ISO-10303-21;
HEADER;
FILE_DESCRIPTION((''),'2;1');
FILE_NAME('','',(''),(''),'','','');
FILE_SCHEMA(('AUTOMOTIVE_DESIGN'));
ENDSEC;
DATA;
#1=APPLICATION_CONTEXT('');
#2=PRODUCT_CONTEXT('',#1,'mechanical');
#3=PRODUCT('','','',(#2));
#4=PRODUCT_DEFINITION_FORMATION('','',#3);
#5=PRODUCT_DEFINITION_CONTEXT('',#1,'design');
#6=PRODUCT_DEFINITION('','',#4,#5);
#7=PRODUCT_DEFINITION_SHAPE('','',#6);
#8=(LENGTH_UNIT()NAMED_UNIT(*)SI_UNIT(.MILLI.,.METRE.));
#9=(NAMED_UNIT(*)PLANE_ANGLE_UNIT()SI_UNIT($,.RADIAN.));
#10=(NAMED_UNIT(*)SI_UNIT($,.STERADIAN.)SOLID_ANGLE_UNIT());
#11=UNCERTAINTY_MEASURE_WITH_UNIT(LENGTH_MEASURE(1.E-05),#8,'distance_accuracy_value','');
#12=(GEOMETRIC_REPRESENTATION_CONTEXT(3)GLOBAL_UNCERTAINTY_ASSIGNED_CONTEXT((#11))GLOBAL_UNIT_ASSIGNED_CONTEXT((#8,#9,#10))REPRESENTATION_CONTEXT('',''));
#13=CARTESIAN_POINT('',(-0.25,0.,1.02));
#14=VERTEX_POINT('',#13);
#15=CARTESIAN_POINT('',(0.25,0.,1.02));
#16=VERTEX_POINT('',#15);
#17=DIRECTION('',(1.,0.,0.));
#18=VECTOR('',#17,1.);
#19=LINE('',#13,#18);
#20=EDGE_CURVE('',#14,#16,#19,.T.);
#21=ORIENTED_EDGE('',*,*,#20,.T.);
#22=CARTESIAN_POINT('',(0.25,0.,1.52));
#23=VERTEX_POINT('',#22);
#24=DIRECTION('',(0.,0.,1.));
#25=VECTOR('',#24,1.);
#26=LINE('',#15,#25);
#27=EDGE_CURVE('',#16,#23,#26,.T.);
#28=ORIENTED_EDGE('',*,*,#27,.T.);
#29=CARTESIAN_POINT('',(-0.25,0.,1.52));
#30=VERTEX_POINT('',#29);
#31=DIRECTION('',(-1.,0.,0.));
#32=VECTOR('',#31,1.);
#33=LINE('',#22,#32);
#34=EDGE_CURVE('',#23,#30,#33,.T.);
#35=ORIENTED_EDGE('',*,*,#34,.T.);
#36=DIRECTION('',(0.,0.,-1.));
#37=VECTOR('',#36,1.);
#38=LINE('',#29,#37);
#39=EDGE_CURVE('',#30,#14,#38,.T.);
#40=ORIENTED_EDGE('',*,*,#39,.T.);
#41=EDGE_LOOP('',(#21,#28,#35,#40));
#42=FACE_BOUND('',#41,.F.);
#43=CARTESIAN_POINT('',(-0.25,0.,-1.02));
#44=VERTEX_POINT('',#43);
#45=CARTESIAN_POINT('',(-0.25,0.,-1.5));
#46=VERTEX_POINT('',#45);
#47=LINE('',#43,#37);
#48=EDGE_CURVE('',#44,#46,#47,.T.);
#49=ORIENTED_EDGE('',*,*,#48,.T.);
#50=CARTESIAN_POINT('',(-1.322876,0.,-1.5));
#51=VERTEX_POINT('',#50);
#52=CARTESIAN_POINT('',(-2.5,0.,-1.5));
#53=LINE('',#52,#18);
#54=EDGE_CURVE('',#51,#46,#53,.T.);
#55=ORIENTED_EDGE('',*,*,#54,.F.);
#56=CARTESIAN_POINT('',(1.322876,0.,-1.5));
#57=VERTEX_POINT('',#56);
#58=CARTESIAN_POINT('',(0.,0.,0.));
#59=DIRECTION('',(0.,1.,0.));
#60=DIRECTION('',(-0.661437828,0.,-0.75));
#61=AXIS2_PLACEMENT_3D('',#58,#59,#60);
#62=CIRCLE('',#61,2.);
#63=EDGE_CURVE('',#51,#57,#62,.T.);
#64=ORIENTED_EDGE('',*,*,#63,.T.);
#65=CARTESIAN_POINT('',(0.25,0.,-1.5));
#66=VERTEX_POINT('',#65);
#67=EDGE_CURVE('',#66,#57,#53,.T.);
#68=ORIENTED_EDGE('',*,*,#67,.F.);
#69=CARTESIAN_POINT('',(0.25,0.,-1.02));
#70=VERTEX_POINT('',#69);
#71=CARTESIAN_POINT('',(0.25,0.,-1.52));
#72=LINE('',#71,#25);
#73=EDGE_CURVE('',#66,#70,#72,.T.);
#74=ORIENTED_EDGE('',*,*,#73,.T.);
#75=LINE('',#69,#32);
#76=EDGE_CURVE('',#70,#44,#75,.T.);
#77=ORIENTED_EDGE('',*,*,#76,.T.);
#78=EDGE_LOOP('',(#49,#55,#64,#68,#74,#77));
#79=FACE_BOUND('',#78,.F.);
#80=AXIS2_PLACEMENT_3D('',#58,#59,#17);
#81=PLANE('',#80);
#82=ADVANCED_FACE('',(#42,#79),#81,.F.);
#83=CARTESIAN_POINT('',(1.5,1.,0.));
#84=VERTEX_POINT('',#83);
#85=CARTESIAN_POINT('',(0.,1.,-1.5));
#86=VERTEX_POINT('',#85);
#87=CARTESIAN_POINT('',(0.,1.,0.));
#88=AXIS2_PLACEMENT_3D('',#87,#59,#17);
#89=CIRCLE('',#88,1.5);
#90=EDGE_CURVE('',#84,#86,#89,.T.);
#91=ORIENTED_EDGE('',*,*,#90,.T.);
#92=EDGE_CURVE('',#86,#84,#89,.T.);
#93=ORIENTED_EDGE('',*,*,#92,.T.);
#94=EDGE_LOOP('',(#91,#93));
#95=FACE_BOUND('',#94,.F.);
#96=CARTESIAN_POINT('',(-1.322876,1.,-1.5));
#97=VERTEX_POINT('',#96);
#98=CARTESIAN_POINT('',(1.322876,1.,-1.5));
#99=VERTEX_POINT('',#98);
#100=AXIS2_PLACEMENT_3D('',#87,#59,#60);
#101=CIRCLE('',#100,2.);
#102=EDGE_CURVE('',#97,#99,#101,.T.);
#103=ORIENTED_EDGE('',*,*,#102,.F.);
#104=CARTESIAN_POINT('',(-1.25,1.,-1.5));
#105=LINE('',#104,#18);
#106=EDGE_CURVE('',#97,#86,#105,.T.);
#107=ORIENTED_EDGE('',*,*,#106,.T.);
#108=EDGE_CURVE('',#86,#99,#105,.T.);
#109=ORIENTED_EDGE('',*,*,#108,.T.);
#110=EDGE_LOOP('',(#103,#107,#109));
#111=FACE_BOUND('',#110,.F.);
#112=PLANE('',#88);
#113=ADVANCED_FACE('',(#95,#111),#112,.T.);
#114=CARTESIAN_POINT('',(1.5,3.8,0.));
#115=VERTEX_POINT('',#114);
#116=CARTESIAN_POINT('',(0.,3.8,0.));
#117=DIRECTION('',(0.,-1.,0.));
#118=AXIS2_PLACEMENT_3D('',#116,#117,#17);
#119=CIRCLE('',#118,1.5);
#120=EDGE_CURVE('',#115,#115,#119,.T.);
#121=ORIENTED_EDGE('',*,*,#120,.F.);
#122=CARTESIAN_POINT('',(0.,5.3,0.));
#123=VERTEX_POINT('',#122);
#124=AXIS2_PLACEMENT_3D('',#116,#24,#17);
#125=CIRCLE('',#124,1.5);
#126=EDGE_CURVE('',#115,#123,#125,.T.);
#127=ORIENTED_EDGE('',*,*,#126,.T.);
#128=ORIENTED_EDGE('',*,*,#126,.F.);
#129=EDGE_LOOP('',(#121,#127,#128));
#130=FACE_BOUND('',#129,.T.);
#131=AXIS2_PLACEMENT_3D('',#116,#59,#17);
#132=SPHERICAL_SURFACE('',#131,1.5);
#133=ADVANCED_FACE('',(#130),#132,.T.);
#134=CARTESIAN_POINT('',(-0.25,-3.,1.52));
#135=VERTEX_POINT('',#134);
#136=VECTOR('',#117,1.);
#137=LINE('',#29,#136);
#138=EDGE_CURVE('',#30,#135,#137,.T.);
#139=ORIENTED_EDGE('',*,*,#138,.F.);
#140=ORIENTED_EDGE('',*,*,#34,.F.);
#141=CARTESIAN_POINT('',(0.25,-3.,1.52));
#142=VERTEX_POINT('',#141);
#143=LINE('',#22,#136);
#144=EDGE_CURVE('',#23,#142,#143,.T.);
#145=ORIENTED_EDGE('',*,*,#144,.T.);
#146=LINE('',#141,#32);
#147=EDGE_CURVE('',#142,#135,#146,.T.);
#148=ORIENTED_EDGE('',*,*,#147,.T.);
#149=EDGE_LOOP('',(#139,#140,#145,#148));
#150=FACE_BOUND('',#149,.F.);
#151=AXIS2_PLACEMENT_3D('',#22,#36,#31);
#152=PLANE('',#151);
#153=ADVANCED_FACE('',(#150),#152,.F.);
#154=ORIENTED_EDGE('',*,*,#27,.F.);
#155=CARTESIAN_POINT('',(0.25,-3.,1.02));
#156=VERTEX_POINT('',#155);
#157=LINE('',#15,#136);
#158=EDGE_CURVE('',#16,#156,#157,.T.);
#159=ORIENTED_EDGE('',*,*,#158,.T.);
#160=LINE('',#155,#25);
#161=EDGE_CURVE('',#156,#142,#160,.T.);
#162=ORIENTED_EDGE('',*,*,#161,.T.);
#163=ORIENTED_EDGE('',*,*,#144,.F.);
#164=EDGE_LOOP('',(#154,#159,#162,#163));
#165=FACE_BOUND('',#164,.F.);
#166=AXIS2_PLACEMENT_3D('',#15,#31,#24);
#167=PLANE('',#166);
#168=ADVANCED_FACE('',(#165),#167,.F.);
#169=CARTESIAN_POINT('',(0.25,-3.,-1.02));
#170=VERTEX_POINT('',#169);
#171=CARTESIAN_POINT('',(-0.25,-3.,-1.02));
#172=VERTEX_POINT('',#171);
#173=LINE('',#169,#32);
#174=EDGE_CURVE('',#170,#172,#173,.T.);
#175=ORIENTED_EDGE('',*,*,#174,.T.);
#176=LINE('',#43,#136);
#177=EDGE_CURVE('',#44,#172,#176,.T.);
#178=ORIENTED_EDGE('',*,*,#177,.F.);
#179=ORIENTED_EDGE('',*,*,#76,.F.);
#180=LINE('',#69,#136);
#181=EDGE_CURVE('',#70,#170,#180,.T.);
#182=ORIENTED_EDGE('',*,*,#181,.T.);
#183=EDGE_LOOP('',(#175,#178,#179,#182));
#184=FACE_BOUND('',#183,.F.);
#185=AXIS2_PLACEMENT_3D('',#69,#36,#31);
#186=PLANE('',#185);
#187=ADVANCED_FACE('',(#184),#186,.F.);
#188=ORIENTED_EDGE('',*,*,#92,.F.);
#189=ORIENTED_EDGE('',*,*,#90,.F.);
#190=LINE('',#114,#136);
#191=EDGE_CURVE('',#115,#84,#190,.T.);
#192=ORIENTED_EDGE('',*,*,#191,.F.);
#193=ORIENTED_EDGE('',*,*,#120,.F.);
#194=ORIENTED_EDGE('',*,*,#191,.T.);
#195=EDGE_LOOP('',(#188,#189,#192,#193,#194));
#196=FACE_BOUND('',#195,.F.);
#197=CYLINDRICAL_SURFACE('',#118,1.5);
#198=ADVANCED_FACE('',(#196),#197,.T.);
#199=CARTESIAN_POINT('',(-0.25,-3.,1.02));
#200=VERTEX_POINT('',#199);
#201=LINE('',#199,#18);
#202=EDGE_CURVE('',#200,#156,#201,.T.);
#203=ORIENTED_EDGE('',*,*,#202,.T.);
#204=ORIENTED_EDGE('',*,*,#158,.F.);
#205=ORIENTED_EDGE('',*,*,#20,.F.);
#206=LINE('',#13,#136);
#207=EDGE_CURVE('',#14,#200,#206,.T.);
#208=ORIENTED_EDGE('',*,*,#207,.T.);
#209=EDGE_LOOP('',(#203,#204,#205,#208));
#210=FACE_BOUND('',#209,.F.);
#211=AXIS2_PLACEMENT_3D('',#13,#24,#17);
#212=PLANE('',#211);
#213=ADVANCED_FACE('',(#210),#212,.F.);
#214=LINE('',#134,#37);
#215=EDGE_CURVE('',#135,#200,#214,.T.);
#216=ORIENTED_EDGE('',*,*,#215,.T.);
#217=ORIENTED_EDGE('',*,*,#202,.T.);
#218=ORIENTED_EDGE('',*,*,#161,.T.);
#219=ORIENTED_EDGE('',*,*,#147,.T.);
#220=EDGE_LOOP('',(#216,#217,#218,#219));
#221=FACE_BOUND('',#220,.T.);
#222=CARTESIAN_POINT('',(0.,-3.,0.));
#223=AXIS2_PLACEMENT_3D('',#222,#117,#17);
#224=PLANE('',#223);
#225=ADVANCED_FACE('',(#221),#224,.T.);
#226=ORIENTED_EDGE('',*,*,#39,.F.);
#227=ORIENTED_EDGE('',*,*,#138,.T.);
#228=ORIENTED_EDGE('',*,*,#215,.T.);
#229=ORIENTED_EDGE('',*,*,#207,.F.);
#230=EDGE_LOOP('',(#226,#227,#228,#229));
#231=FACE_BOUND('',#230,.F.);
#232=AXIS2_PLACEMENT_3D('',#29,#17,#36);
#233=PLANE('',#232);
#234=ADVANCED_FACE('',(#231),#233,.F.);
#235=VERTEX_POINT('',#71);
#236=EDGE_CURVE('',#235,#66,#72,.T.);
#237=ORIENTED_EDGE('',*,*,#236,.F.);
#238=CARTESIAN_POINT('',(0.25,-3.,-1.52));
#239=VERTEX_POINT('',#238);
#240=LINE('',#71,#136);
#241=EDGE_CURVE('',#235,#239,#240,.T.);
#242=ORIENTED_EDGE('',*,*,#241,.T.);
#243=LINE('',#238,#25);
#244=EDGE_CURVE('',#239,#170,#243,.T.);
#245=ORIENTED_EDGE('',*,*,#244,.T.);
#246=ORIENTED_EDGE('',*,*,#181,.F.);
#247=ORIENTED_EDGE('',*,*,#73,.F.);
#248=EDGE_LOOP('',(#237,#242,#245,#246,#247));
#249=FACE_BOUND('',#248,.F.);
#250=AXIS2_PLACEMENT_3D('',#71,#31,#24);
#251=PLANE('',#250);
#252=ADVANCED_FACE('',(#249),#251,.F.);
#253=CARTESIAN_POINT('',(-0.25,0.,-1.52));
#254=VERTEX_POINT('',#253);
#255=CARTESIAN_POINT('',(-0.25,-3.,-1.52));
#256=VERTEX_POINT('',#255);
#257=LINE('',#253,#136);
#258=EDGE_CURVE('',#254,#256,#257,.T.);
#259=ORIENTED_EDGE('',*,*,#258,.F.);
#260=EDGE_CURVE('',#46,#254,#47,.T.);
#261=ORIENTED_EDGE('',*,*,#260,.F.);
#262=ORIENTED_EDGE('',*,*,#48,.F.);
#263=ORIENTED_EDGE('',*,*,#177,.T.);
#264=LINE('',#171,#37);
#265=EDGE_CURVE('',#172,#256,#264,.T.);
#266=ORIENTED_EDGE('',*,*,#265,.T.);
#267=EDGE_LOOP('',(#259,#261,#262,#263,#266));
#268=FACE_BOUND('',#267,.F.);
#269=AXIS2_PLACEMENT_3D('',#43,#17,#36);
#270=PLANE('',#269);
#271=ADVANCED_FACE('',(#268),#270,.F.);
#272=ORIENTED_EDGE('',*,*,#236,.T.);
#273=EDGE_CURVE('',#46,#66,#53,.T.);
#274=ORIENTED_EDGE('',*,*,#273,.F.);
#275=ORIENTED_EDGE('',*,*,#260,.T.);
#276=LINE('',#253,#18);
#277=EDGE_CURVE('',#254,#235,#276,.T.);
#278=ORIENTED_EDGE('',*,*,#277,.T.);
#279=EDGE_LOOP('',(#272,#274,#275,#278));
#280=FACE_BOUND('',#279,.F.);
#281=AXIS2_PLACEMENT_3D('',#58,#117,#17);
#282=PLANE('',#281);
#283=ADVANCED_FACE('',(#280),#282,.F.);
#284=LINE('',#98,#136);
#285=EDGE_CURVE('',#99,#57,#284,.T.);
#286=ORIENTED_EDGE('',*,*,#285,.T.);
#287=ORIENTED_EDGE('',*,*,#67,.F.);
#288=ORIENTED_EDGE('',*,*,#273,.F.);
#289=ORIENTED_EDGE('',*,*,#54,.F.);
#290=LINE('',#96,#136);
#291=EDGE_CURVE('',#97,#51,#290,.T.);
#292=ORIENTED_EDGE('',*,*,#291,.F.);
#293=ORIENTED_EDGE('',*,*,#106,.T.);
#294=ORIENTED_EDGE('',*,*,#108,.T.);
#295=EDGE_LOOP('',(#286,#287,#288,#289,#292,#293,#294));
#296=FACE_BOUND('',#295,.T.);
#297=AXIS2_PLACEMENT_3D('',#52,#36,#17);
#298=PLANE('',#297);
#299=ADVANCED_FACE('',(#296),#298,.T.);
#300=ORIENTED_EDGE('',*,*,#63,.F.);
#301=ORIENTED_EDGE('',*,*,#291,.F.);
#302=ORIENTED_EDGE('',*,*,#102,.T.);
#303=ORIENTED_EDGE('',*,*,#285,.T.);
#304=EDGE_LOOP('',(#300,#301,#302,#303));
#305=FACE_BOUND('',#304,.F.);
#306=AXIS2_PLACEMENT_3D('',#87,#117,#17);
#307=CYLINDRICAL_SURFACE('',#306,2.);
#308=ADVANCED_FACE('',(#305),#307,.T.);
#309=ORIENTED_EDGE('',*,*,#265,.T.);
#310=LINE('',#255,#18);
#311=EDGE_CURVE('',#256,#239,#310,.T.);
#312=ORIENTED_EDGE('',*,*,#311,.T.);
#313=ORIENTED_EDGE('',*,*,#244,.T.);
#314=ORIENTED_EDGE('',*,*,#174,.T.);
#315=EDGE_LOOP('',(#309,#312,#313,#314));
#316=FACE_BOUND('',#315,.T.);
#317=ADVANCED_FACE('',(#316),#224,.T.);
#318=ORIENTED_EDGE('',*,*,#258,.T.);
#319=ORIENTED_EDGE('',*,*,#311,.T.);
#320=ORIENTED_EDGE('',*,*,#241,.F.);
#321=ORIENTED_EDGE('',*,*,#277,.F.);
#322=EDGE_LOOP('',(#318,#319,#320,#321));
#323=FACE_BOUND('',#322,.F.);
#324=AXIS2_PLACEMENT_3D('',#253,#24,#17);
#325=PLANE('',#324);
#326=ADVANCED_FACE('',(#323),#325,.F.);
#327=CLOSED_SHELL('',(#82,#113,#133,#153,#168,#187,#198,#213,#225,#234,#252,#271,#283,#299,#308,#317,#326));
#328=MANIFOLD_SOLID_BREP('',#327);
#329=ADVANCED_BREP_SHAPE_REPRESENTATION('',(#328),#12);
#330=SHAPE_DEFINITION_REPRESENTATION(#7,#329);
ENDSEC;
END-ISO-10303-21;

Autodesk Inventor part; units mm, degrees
ref_plane "YZ Plane" through (0, 0, 0) normal (1, 0, 0) x (0, 1, 0)
ref_plane "XZ Plane" through (0, 0, 0) normal (0, 1, 0) x (-1, 0, 0)
ref_plane "XY Plane" through (0, 0, 0) normal (0, 0, 1) x (1, 0, 0)
sketch "Sketch1" plane through (0, 0, 0) normal (0, 0, 1) x (1, 0, 0)
  arc A0 (1.5, 3.8) -> (0, 5.3) centre (0, 3.8) ccw
  line L0 (1.5, 3.8) -> (1.5, 1)
  line L1 (1.5, 1) -> (2, 1)
  line L2 (2, 1) -> (2, 0)
  line L3 (2, 0) -> (0, 0)
  line L4 (0, 0) -> (0, 5.3)
  point P0 (0, 0)
  dimension "d0" = 3
  dimension "d1" = 2
  dimension "d2" = 1
  dimension "d3" = 5.3
  dimension "d4" = 0
  dimension "d5" = 0
  dimension "d6" = 0
revolve "Revolution1" add sketch "Sketch1" angle 360 about axis through (0, 0, 0) along (0, 1, 0)
sketch "Sketch2" plane through (0, 0, 0) normal (0, 1, 0) x (-1, 0, 0)
  line L0 (-2.5, -4.5) -> (2.5, -4.5)
  line L1 (2.5, -4.5) -> (2.5, -1.5)
  line L2 (2.5, -1.5) -> (-2.5, -1.5)
  line L3 (-2.5, -1.5) -> (-2.5, -4.5)
  line L4 (-2.5, -4.5) -> (2.5, -1.5) construction
  line L5 (2.5, -4.5) -> (-2.5, -1.5) construction
  point P0 (0, 0)
  point P1 (0, -3)
  dimension "d8" = 1.5
  dimension "d9" = 5
  dimension "d10" = 3
  dimension "d12" = 2.5
extrude "Extrusion1" cut sketch "Sketch2" along normal blind 10
sketch "Sketch3" plane through (0, 0, 0) normal (0, -1, 0) x (1, 0, 0)
  arc A0 (1.3229, -1.5) -> (-1.3229, -1.5) centre (0, 0) ccw projected
  line L0 (-0.25, -1.52) -> (0.25, -1.52)
  line L1 (0.25, -1.52) -> (0.25, -1.02)
  line L2 (0.25, -1.02) -> (-0.25, -1.02)
  line L3 (-0.25, -1.02) -> (-0.25, -1.52)
  line L4 (-0.25, -1.52) -> (0.25, -1.02) construction
  line L5 (0.25, -1.52) -> (-0.25, -1.02) construction
  line L6 (-0.25, 1.02) -> (0.25, 1.02)
  line L7 (0.25, 1.02) -> (0.25, 1.52)
  line L8 (0.25, 1.52) -> (-0.25, 1.52)
  line L9 (-0.25, 1.52) -> (-0.25, 1.02)
  line L10 (-0.25, 1.02) -> (0.25, 1.52) construction
  line L11 (0.25, 1.02) -> (-0.25, 1.52) construction
  point P0 (0, -1.27)
  point P1 (0, 1.27)
  dimension "d15" = 0.5
  dimension "d16" = 0.5
  dimension "d17" = 0.5
  dimension "d18" = 0.5
  dimension "d19" = 2.54
  dimension "d20" = 1.27
extrude "Extrusion2" add sketch "Sketch3" along normal blind 3
equation "\"d12\" = 0.5 * d9"
equation "\"d20\" = 0.5 * d19"
properties part number "LED3mm"
